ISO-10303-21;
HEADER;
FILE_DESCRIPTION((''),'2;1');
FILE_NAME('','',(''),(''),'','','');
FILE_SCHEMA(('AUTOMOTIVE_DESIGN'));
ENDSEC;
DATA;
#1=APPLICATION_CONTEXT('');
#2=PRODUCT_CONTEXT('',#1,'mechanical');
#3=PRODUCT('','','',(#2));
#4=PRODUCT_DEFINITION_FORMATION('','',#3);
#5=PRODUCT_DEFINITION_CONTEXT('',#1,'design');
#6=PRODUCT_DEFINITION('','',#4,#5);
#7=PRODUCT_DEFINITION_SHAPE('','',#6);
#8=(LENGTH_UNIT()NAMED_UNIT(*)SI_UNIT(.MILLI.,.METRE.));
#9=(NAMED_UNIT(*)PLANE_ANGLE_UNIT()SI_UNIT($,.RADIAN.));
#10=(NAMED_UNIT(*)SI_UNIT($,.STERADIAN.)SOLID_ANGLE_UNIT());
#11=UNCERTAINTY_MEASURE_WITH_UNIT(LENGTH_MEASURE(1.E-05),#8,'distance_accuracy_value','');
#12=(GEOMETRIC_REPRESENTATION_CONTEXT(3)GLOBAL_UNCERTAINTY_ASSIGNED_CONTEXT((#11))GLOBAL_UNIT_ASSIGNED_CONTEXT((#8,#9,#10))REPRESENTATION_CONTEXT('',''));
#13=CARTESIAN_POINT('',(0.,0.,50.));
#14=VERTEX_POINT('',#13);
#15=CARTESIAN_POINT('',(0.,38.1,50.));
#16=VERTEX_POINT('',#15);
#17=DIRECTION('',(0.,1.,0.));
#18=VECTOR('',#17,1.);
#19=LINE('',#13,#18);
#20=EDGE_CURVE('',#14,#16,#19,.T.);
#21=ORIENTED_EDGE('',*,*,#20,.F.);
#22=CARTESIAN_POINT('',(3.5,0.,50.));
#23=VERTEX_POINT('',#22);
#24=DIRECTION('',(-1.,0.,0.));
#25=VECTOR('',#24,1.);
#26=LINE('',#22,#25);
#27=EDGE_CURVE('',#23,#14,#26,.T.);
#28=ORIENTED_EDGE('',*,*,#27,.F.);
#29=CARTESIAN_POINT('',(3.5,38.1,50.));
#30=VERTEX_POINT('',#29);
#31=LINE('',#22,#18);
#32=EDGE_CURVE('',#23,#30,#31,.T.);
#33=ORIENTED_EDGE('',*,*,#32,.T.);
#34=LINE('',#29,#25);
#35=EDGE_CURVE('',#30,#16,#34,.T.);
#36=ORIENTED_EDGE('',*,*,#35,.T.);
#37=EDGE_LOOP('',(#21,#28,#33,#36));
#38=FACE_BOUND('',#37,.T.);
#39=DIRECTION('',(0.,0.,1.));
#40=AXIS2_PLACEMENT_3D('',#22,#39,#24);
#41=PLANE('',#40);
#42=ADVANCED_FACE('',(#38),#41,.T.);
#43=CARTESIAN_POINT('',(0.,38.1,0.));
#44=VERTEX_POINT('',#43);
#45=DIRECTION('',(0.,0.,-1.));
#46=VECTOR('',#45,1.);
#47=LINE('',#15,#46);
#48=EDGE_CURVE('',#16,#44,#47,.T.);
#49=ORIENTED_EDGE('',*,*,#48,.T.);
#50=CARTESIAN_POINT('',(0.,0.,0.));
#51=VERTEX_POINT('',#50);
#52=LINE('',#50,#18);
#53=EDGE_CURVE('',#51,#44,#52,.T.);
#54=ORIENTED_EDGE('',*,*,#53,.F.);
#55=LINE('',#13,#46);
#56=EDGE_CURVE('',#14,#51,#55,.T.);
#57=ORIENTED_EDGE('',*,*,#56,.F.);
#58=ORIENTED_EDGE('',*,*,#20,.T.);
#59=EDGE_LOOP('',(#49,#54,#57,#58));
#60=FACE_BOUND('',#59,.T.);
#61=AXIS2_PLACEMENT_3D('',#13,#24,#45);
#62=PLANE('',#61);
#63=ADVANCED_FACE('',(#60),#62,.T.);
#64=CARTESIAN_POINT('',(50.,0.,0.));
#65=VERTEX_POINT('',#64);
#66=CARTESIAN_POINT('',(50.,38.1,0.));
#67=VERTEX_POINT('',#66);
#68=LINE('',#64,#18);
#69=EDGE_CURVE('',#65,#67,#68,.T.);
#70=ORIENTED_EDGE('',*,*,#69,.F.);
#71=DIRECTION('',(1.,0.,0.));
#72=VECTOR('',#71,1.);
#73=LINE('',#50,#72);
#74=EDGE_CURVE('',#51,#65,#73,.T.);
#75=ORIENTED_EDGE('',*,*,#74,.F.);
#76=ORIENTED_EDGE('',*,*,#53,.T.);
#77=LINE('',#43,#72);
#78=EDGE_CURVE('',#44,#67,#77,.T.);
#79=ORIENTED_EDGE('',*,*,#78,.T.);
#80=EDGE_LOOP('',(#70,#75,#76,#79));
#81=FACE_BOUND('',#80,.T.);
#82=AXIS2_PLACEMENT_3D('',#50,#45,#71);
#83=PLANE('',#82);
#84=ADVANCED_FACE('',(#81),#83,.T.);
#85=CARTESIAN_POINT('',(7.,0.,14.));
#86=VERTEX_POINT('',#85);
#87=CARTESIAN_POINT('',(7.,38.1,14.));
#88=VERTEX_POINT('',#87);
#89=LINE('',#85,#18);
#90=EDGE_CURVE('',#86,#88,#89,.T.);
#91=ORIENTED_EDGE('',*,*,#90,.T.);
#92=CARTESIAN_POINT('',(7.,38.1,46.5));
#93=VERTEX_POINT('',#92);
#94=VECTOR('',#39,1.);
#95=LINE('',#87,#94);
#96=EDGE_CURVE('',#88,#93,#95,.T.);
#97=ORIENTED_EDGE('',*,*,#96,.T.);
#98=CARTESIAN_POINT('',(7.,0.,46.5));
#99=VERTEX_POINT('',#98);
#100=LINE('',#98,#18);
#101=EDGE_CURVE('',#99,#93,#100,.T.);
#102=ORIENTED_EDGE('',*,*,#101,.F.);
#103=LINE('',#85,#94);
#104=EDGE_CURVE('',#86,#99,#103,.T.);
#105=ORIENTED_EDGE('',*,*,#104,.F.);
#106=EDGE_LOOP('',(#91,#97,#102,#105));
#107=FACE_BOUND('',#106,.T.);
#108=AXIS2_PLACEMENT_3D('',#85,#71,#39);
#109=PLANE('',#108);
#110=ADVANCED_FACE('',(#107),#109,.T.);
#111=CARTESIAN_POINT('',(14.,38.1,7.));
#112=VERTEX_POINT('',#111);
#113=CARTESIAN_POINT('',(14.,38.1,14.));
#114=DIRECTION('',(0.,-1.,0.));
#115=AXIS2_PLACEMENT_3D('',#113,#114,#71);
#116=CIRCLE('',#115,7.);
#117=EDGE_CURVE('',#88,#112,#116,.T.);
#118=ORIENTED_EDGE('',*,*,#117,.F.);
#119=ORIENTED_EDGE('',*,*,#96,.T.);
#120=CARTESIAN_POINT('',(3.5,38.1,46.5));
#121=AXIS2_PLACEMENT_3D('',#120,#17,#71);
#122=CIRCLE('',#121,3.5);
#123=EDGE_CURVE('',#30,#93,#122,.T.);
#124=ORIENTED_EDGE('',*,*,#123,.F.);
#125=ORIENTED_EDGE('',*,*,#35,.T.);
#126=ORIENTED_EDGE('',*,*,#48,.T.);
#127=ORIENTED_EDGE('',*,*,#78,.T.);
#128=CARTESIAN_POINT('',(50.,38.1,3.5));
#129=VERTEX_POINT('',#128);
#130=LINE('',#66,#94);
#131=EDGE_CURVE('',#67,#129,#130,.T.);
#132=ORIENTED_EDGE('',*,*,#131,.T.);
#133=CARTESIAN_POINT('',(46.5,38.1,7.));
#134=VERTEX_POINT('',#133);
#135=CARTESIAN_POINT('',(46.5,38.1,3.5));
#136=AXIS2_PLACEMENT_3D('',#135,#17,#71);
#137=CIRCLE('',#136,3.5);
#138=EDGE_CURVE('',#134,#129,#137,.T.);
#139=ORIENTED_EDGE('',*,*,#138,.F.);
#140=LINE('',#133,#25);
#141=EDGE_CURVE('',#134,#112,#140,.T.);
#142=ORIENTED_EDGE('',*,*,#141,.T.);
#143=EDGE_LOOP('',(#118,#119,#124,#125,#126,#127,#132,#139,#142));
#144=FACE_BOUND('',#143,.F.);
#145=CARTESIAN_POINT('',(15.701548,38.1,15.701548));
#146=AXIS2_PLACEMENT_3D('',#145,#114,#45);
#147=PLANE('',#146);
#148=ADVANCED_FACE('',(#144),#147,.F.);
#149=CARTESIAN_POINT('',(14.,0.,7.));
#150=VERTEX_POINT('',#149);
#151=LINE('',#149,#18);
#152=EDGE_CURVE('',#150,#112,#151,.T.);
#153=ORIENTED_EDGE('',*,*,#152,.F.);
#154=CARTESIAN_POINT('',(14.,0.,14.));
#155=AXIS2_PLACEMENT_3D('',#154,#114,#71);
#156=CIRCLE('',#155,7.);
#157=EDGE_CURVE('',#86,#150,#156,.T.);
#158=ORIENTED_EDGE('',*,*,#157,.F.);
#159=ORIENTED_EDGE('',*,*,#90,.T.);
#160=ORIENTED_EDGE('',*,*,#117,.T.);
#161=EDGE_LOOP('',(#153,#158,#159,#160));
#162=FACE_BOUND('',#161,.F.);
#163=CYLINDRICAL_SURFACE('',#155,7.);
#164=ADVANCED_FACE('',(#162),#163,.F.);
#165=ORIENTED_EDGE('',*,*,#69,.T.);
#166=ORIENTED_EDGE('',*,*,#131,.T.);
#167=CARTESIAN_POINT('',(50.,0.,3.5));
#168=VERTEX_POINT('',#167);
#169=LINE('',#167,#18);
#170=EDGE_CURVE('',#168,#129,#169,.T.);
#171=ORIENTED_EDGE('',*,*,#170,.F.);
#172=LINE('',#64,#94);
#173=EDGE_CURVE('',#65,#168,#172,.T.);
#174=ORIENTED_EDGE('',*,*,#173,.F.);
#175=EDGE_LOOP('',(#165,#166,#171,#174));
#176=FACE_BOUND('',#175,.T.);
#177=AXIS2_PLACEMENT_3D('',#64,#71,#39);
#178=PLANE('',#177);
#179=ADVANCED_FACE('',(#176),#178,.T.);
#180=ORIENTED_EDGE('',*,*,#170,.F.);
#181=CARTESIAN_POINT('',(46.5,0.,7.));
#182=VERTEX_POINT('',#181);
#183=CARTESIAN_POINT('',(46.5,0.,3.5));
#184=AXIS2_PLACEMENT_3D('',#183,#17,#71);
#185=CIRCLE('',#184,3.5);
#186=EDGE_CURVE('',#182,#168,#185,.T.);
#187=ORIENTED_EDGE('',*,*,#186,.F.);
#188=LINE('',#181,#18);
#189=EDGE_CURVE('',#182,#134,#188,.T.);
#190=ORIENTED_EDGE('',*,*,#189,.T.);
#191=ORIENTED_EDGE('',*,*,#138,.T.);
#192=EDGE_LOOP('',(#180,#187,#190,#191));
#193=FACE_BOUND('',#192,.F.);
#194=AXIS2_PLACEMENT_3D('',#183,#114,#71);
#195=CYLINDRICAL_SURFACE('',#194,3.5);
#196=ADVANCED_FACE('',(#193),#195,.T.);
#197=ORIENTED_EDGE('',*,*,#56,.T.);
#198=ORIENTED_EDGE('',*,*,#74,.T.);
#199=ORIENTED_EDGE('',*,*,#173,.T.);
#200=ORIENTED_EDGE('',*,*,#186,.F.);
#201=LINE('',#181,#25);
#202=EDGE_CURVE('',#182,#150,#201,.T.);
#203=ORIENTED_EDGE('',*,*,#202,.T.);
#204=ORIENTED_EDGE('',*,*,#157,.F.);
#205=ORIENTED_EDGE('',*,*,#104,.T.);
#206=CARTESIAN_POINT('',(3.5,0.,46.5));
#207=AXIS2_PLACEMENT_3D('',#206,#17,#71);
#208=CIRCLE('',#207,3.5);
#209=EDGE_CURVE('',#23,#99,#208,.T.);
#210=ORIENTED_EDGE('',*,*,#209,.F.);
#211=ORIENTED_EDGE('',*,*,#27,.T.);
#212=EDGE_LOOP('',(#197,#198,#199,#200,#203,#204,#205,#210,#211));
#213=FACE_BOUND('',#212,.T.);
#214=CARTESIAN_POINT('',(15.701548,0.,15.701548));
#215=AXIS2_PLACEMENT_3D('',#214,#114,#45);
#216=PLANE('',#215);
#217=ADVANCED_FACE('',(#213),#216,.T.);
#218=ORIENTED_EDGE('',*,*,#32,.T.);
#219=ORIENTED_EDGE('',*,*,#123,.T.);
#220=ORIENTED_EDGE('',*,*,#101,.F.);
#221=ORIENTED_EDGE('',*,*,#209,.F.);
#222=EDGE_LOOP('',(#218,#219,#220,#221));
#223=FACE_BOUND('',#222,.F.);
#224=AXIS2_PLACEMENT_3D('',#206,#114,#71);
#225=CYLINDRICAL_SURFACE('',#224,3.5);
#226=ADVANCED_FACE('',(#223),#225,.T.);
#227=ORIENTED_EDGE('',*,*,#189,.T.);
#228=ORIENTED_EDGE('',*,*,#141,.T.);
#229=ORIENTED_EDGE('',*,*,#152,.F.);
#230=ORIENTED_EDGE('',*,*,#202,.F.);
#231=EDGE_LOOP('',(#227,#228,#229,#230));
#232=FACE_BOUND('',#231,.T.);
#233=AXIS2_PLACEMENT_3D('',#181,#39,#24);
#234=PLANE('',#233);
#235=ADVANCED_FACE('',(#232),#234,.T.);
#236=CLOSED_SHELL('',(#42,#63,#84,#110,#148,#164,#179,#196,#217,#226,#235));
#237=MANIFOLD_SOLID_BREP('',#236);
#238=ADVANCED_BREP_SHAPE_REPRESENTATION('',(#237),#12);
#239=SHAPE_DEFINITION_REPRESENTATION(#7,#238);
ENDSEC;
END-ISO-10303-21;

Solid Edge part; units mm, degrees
sketch "Sketch1" plane through (0, 0, 0) normal (0, -1, 0) x (1, 0, 0)
  line L0 (50, 0) -> (50, 3.5)
  arc A0 (46.5, 7) -> (50, 3.5) centre (46.5, 3.5) cw
  line L1 (46.5, 7) -> (14, 7)
  arc A1 (7, 14) -> (14, 7) centre (14, 14) ccw
  line L2 (7, 14) -> (7, 46.5)
  arc A2 (3.5, 50) -> (7, 46.5) centre (3.5, 46.5) cw
  line L3 (3.5, 50) -> (0, 50)
  line L4 (0, 50) -> (0, 0)
  line L5 (0, 0) -> (50, 0)
  dimension "D1" = 50
  dimension "D2" = 50
  dimension "D3" = 7
  dimension "D4" = 7
extrude "Protrusion1" add sketch "Sketch1" against normal blind 38.1
